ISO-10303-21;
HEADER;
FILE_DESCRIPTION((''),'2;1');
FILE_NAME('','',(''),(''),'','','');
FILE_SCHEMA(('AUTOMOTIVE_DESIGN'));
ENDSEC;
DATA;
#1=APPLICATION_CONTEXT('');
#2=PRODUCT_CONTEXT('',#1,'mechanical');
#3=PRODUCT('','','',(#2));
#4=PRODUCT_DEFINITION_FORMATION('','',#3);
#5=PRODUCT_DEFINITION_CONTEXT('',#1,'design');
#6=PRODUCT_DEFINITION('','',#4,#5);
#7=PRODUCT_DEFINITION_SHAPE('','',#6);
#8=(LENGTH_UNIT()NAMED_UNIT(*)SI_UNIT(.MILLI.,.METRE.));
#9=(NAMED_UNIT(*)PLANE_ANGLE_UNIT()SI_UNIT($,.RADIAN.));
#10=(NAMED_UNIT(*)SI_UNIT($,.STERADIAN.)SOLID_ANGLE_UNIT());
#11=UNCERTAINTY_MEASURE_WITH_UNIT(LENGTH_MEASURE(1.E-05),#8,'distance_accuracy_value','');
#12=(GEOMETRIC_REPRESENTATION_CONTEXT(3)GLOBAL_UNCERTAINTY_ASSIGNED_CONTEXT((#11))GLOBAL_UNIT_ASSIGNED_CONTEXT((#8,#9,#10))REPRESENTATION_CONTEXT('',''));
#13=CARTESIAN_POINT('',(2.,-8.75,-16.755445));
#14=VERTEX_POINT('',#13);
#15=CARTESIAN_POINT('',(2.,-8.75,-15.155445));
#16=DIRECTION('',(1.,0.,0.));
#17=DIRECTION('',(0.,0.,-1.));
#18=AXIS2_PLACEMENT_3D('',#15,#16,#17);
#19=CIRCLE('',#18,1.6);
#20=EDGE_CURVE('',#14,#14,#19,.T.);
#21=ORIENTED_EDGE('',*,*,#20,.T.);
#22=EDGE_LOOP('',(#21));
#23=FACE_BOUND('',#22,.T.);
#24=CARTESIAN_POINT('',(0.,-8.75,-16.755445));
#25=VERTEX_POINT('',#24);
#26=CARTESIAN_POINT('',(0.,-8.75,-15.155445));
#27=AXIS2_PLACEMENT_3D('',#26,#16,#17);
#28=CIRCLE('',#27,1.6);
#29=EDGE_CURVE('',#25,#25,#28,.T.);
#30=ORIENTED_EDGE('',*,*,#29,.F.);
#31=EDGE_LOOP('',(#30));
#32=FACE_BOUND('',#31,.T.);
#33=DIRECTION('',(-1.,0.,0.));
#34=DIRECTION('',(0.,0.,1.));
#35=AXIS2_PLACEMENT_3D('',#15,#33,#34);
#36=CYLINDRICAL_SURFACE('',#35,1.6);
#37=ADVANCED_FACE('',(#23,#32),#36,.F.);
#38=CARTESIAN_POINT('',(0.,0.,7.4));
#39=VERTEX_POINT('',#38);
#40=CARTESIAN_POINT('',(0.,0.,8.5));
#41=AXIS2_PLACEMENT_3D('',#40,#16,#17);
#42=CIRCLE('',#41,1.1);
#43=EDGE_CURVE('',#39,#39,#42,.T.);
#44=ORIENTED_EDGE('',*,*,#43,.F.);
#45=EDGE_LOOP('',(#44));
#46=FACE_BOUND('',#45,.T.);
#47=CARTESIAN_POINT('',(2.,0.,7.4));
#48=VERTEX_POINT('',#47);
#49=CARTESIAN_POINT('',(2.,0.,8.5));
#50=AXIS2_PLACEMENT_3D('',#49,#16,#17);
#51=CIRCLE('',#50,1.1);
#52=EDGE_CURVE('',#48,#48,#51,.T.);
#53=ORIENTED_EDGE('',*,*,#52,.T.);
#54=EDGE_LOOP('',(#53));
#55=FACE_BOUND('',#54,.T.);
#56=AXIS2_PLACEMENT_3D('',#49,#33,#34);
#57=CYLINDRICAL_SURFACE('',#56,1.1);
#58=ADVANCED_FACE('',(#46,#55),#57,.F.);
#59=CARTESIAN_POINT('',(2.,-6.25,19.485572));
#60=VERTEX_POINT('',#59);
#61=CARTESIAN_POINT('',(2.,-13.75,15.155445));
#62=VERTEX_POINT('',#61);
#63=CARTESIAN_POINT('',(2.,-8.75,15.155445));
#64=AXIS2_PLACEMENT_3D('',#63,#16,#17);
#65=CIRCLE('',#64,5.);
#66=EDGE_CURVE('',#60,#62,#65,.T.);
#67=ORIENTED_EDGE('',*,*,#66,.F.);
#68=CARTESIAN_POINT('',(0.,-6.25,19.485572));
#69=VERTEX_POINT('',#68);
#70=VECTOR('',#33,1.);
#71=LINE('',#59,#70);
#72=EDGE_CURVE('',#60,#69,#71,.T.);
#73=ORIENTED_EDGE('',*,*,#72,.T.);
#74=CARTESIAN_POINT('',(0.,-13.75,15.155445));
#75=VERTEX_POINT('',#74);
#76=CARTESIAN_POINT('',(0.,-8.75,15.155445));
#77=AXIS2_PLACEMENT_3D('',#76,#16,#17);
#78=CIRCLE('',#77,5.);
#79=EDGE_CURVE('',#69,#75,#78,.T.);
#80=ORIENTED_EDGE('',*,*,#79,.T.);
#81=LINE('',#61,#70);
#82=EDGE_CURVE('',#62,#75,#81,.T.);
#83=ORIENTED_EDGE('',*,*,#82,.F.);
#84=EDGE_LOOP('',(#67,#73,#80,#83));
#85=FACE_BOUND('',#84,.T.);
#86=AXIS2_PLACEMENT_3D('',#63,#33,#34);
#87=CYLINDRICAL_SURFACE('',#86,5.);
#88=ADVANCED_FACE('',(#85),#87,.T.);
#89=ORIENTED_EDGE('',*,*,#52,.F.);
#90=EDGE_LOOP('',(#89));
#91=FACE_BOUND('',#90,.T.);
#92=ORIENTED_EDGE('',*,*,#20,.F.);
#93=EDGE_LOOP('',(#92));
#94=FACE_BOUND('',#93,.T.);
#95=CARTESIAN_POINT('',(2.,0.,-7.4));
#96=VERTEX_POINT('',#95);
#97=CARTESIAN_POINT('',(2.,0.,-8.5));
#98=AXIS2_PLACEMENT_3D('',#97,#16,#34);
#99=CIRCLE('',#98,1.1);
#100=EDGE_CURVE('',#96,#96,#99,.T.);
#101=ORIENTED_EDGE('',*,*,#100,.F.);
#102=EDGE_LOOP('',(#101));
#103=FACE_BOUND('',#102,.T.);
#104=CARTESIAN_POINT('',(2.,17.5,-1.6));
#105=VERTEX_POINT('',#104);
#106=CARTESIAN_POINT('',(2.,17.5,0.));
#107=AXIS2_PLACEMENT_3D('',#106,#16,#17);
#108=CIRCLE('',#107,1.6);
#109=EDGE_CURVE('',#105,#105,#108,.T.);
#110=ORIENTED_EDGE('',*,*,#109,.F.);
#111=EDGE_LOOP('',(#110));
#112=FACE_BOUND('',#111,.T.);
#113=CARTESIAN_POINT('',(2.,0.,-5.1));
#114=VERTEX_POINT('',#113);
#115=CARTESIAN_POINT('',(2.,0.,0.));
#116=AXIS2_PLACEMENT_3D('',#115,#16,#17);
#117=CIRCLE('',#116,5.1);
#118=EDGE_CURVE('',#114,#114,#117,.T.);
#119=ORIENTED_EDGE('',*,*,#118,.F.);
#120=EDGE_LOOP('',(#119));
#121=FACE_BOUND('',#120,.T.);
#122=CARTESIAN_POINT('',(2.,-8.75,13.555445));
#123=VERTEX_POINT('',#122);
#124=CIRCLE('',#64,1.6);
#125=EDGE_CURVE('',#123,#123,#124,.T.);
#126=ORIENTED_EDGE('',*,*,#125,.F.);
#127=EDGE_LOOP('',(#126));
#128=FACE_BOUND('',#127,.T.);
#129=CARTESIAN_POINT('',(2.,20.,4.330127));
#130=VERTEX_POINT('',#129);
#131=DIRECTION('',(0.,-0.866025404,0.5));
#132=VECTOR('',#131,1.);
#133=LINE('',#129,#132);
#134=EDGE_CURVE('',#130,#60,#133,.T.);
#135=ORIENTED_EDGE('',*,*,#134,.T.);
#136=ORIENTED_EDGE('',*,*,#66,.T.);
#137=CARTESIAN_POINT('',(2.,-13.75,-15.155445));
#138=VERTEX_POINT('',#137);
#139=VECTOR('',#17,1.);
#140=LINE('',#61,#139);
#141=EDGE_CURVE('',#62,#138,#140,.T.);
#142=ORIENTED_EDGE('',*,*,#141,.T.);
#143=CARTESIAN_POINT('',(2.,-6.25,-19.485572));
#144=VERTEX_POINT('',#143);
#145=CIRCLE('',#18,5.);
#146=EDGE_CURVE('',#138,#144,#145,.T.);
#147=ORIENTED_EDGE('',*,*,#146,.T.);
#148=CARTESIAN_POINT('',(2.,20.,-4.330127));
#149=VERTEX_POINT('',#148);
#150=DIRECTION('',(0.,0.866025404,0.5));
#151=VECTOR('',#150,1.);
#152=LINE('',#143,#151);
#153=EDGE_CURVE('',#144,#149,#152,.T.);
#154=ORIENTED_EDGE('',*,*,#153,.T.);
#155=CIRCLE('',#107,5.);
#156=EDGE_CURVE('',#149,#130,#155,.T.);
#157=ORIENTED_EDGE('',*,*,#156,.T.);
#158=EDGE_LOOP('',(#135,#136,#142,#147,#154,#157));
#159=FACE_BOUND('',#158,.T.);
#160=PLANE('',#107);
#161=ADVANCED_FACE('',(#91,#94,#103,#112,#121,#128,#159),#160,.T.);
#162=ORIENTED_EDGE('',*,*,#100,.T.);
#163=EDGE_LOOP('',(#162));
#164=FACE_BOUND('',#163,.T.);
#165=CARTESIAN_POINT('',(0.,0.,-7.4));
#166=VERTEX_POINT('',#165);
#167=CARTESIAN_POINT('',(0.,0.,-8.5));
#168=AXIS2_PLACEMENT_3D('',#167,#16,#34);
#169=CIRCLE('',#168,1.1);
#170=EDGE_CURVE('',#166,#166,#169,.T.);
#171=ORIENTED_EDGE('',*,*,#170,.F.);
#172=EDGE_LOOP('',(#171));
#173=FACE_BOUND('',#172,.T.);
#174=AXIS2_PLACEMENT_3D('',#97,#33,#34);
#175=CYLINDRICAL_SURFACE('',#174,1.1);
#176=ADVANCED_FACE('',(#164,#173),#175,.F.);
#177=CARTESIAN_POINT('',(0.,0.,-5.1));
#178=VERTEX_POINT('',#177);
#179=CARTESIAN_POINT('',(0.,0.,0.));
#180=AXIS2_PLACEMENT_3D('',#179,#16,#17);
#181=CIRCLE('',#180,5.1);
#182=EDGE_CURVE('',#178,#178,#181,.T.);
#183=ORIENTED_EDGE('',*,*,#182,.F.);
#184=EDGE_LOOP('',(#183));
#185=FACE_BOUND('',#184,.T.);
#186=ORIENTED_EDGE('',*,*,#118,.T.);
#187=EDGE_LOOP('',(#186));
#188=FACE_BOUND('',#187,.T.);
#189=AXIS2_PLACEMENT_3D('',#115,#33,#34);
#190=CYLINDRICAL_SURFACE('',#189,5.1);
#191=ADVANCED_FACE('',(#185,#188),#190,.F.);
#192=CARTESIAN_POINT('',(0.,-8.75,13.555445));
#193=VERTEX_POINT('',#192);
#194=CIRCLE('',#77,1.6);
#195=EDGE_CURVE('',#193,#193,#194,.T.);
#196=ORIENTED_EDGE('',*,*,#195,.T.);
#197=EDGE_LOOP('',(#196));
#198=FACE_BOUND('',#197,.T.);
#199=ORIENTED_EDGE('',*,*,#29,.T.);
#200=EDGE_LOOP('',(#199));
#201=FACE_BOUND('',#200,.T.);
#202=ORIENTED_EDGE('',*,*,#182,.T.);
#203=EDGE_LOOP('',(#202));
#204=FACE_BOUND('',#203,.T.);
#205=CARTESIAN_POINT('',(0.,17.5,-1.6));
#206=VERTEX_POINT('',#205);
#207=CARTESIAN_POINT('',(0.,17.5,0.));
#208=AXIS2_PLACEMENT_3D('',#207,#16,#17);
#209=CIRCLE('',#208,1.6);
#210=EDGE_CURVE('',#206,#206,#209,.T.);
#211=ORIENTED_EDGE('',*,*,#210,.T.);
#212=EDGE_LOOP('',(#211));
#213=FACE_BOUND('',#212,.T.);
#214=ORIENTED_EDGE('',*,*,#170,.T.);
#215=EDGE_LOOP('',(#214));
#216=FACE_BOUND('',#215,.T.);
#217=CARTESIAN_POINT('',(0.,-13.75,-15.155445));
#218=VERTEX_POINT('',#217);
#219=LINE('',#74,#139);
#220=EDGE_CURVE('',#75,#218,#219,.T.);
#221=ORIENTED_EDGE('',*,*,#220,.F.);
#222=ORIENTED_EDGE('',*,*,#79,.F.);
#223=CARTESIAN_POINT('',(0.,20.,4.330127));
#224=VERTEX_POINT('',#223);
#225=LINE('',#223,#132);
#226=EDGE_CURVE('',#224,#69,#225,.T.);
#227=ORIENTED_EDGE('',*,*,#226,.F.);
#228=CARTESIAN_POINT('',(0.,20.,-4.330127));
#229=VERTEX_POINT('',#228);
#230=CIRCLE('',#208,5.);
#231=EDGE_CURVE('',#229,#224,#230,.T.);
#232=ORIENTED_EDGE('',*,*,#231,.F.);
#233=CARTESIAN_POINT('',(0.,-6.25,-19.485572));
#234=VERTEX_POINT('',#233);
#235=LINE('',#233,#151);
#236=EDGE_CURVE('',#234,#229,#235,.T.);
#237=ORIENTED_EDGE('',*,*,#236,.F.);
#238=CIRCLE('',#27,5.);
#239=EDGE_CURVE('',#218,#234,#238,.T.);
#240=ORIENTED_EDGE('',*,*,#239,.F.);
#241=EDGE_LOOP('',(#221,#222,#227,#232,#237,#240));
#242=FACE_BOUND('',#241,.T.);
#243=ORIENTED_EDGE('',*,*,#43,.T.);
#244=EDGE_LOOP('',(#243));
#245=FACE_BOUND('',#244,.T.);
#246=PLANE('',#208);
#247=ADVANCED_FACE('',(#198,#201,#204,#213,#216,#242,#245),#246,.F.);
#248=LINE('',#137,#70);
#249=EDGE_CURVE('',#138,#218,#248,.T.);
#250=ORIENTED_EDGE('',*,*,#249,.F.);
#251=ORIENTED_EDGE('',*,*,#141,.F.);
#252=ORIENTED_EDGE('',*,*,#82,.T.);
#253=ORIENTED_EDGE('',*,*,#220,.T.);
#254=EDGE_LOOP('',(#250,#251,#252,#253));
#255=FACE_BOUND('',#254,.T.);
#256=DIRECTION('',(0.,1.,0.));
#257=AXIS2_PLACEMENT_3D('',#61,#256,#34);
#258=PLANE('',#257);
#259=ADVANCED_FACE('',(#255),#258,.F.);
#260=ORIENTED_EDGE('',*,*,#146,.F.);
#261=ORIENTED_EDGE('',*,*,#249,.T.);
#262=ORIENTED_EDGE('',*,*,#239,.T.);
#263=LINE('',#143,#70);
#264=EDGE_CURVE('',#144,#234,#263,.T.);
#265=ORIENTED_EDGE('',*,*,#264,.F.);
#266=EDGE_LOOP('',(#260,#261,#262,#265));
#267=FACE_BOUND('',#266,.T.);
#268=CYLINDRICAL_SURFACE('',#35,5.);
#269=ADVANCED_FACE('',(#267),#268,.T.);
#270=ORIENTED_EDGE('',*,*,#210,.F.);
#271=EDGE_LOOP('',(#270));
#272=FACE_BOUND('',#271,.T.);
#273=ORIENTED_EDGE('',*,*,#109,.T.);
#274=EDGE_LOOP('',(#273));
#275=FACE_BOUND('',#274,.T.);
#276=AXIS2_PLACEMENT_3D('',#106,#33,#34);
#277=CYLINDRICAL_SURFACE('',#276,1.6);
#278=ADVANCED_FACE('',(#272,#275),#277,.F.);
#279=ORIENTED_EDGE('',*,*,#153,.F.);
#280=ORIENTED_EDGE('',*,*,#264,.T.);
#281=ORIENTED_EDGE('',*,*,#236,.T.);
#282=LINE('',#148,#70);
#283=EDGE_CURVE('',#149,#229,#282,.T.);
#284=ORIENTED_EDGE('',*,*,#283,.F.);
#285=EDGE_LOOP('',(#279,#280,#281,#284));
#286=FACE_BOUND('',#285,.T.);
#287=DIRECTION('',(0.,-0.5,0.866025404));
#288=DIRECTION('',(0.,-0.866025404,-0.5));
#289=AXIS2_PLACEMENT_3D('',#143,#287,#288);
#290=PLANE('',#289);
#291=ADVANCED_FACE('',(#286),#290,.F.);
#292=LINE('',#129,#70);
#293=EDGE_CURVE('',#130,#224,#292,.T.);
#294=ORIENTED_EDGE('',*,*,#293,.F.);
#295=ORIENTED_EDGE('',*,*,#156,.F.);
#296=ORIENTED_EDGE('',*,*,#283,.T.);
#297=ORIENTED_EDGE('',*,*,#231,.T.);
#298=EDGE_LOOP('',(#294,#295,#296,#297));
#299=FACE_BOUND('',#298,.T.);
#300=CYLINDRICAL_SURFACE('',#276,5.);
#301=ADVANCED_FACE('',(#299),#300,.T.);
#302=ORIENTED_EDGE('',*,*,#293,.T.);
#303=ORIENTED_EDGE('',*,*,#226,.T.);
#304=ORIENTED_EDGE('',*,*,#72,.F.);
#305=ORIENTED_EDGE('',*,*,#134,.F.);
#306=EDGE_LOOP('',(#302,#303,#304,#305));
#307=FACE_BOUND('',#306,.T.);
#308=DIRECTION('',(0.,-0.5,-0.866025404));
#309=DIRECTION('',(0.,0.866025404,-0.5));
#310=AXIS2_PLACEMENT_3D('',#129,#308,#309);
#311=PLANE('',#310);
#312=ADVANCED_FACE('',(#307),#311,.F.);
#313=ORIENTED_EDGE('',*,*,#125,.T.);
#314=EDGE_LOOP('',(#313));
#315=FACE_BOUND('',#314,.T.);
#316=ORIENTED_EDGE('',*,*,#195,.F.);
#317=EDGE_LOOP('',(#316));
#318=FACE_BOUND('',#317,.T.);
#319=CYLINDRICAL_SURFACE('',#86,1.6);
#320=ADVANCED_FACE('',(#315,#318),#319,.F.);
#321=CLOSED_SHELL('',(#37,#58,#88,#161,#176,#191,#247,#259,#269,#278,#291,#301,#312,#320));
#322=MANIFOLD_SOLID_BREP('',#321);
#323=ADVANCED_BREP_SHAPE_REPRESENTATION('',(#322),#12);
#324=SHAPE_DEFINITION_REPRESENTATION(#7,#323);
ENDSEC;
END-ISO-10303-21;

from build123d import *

# Parameters (mm, degrees)
SKETCH_1_R      = 5.1
SKETCH_1_R_2    = 1.6
SKETCH_1_R_3    = 1.1
EXTRUDE_1_DEPTH = 2


with BuildPart() as part:
    # ｽｹｯﾁ1 → ﾎﾞｽ - 押し出し1 (new body)
    with BuildSketch(Plane(origin=(0, 0, 0), x_dir=(0, 0, -1), z_dir=(1, 0, 0))):
        with BuildLine():
            Line((-4.330127019, 20), (-19.485571585, -6.25))
            ThreePointArc((-19.485571585, -6.25), (-19.485571585, -11.25), (-15.155444566, -13.75))
            Line((-15.155444566, -13.75), (15.155444566, -13.75))
            ThreePointArc((15.155444566, -13.75), (19.485571585, -11.25), (19.485571585, -6.25))
            Line((19.485571585, -6.25), (4.330127019, 20))
            ThreePointArc((4.330127019, 20), (0, 22.5), (-4.330127019, 20))
        make_face()
        Circle(SKETCH_1_R, mode=Mode.SUBTRACT)
        with Locations((0, 17.5)):
            Circle(SKETCH_1_R_2, mode=Mode.SUBTRACT)
        with Locations((-8.5, 0)):
            Circle(SKETCH_1_R_3, mode=Mode.SUBTRACT)
        with Locations(Location((8.5, 0, 0), (0, 0, 180))):
            Circle(SKETCH_1_R_3, mode=Mode.SUBTRACT)
        with Locations((15.155444566, -8.75)):
            Circle(SKETCH_1_R_2, mode=Mode.SUBTRACT)
        with BuildLine():
            ThreePointArc((-15.891264638, -7.329236536), (-16.541085212, -9.55), (-14.292937349, -10.097620607))
            ThreePointArc((-14.292937349, -10.097620607), (-13.76980392, -7.95), (-15.891264638, -7.329236536))
        make_face(mode=Mode.SUBTRACT)
    extrude(amount=EXTRUDE_1_DEPTH)


solid = part.part
